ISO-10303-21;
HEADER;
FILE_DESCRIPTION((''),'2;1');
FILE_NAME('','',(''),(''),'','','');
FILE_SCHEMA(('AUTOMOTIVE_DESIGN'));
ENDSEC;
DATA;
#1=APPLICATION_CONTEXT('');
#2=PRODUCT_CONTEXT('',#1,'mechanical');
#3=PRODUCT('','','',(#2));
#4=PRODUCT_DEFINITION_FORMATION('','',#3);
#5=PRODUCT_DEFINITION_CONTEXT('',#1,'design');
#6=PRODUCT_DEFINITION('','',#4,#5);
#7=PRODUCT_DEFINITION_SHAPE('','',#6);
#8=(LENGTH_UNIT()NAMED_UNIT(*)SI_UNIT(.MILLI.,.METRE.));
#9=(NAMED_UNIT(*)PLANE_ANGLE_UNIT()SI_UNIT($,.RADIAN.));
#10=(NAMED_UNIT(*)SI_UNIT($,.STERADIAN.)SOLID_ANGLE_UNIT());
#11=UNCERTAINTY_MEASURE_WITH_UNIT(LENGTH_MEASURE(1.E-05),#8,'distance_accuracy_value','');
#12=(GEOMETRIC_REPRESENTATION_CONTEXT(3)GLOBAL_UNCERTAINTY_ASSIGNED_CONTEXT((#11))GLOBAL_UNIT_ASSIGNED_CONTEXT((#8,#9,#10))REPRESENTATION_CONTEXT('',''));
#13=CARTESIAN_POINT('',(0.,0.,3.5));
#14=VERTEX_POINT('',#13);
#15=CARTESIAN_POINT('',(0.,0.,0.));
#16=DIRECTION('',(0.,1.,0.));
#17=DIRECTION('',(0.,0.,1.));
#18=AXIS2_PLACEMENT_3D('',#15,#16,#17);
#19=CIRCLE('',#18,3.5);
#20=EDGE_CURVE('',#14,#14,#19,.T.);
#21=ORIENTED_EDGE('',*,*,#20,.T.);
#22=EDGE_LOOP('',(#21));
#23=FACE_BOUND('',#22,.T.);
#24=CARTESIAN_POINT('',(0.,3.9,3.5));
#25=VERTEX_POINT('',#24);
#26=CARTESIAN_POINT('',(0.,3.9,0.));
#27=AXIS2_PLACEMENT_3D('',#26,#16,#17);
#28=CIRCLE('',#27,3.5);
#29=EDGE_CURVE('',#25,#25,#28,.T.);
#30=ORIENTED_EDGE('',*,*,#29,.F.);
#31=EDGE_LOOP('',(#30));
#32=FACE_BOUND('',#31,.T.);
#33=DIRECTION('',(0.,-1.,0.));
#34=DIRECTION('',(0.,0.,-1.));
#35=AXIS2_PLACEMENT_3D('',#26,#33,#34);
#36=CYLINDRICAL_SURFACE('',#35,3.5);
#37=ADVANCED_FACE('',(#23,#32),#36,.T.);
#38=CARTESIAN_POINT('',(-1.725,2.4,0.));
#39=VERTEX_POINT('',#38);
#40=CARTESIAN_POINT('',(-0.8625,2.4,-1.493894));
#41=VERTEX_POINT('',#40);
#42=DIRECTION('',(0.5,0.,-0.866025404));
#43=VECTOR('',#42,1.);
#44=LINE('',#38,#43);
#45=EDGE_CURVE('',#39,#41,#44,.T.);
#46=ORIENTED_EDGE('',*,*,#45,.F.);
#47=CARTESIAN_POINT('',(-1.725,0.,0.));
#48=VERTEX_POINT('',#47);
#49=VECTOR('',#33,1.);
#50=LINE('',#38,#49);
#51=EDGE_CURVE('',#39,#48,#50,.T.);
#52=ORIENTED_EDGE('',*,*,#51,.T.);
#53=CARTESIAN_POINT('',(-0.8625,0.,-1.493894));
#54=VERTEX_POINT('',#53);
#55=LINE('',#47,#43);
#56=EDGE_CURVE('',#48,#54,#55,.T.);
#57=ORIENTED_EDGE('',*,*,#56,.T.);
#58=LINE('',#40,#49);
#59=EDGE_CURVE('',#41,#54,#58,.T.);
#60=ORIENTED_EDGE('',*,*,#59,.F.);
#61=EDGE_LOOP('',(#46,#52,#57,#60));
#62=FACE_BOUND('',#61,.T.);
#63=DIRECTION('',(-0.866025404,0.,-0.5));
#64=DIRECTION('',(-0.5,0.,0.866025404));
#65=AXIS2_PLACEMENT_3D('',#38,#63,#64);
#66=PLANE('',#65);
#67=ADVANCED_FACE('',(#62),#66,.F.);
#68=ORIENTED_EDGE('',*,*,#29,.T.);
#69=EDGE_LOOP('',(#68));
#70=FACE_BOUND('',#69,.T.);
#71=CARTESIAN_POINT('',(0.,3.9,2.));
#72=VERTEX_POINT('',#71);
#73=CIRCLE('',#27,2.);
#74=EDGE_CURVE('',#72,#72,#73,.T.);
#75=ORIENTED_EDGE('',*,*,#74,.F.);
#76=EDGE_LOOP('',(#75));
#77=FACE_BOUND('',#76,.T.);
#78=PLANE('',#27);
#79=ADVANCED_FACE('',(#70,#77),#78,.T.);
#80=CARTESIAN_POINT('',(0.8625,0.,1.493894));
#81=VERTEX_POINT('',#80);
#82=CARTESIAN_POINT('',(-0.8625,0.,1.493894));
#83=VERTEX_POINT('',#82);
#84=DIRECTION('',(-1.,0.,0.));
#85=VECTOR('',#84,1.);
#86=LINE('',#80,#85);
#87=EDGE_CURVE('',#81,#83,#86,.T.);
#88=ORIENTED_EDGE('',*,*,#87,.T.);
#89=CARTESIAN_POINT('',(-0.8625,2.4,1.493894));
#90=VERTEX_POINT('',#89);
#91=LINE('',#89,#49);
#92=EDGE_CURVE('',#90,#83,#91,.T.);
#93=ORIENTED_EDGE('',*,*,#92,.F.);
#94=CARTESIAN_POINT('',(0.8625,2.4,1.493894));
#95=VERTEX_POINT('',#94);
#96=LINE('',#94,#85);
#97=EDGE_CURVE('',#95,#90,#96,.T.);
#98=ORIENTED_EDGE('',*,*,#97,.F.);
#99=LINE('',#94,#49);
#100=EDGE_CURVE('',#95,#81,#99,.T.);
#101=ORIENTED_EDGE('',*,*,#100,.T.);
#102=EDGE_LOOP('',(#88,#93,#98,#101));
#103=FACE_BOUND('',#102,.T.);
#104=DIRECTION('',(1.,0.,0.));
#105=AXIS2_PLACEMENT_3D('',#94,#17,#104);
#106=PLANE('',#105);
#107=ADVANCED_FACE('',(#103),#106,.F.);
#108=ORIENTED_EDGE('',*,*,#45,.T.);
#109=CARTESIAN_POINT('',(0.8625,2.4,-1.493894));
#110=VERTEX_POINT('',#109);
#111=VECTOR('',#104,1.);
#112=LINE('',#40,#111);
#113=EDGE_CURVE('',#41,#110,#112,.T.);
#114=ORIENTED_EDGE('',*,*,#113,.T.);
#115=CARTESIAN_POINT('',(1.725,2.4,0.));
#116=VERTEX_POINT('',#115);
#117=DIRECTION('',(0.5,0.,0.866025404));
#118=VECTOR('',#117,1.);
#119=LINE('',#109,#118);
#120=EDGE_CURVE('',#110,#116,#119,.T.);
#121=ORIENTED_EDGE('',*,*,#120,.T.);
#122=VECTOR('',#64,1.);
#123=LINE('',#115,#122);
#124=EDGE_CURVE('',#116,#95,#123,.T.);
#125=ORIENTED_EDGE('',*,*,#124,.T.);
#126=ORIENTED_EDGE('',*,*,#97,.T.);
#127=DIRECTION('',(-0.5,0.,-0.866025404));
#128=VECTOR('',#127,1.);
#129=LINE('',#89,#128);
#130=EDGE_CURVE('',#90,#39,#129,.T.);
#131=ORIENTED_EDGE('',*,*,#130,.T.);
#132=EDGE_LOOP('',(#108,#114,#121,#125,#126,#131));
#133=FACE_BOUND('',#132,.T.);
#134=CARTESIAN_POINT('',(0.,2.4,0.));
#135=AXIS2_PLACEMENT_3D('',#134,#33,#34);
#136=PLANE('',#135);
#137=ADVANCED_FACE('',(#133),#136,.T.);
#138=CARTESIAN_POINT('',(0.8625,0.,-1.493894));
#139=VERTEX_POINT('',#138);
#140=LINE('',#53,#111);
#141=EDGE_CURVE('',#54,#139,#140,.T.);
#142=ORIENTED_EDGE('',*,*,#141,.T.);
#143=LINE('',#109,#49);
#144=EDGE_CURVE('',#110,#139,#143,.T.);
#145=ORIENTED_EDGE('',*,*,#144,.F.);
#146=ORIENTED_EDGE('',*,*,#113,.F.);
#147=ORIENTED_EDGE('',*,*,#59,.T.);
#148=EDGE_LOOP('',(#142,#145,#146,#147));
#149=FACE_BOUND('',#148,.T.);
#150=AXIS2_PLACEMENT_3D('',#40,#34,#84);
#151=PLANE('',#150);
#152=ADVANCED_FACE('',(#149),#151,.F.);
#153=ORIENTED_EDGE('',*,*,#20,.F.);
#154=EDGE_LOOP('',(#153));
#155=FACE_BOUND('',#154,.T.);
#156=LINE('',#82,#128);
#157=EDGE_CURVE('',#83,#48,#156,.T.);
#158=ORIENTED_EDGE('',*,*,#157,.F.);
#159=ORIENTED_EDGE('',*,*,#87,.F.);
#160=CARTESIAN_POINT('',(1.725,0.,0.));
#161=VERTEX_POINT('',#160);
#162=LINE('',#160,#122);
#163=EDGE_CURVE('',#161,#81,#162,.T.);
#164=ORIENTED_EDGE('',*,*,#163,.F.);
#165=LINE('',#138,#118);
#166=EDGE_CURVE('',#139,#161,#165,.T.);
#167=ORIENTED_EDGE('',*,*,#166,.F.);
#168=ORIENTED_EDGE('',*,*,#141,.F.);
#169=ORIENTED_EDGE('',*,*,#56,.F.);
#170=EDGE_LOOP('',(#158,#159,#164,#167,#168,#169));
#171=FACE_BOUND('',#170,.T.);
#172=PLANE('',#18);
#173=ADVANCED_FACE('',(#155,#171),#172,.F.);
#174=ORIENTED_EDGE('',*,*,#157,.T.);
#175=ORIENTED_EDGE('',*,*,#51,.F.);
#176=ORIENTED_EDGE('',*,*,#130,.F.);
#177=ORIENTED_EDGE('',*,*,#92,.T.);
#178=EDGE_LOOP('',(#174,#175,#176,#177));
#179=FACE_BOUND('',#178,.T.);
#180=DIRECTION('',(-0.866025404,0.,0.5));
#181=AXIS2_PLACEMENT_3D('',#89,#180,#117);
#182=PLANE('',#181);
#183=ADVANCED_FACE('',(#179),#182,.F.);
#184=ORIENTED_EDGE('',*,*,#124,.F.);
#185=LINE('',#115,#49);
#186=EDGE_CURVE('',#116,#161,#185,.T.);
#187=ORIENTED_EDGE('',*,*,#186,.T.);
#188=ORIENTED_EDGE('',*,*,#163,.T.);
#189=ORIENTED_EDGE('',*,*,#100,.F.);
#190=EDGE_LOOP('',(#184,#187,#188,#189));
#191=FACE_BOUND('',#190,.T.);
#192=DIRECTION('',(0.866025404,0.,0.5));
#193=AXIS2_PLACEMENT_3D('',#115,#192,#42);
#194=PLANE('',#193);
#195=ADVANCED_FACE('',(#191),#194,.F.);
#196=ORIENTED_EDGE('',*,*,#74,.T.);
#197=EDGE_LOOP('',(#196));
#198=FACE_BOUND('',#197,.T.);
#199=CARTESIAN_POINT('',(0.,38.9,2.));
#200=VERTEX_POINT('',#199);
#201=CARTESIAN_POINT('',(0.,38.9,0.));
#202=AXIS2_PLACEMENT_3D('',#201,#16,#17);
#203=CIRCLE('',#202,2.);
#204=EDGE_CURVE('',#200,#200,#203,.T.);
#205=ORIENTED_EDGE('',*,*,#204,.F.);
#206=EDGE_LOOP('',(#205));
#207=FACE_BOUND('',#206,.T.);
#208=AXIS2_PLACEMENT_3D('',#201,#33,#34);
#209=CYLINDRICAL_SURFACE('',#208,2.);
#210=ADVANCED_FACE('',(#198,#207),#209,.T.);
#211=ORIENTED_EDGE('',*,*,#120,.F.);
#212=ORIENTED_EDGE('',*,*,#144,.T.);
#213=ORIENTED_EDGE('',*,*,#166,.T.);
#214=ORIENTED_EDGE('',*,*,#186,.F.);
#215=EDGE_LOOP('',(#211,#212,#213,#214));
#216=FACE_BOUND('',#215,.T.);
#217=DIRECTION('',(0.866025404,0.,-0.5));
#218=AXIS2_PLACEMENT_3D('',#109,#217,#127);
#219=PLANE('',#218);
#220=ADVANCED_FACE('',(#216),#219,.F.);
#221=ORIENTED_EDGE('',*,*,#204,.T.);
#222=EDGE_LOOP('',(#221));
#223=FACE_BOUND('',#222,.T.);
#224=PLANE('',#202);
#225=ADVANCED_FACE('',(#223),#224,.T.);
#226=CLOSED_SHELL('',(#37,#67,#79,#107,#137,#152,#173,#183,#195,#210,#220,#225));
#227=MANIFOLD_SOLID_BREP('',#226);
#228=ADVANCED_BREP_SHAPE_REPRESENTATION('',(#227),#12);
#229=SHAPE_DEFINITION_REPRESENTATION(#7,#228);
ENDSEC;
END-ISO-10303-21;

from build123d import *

# Parameters (mm, degrees)
SKETCH_1_R          = 3.5
EXTRUDE_1_DEPTH     = 3.9
SKETCH_2_R          = 2
EXTRUDE_2_DEPTH     = 35
CUT_EXTRUDE_1_DEPTH = 2.4


with BuildPart() as part:
    # 草图1 → 凸台-拉伸1 (new body)
    with BuildSketch(Plane(origin=(0, 0, 0), x_dir=(1, 0, 0), z_dir=(0, 1, 0))):
        Circle(SKETCH_1_R)
    extrude(amount=EXTRUDE_1_DEPTH)

    # 草图2 → 凸台-拉伸2 (add)
    with BuildSketch(Plane(origin=(0, 3.9, 0), x_dir=(1, 0, 0), z_dir=(0, 1, 0))):
        Circle(SKETCH_2_R)
    extrude(amount=EXTRUDE_2_DEPTH)

    # 草图3 → 切除-拉伸1 (cut)
    with BuildSketch(Plane.XZ):
        Polygon((1.725, 0), (0.8625, 1.493893822), (-0.8625, 1.493893822), (-1.725, 0), (-0.8625, -1.493893822), (0.8625, -1.493893822), align=None)
    extrude(amount=-CUT_EXTRUDE_1_DEPTH, mode=Mode.SUBTRACT)


solid = part.part
